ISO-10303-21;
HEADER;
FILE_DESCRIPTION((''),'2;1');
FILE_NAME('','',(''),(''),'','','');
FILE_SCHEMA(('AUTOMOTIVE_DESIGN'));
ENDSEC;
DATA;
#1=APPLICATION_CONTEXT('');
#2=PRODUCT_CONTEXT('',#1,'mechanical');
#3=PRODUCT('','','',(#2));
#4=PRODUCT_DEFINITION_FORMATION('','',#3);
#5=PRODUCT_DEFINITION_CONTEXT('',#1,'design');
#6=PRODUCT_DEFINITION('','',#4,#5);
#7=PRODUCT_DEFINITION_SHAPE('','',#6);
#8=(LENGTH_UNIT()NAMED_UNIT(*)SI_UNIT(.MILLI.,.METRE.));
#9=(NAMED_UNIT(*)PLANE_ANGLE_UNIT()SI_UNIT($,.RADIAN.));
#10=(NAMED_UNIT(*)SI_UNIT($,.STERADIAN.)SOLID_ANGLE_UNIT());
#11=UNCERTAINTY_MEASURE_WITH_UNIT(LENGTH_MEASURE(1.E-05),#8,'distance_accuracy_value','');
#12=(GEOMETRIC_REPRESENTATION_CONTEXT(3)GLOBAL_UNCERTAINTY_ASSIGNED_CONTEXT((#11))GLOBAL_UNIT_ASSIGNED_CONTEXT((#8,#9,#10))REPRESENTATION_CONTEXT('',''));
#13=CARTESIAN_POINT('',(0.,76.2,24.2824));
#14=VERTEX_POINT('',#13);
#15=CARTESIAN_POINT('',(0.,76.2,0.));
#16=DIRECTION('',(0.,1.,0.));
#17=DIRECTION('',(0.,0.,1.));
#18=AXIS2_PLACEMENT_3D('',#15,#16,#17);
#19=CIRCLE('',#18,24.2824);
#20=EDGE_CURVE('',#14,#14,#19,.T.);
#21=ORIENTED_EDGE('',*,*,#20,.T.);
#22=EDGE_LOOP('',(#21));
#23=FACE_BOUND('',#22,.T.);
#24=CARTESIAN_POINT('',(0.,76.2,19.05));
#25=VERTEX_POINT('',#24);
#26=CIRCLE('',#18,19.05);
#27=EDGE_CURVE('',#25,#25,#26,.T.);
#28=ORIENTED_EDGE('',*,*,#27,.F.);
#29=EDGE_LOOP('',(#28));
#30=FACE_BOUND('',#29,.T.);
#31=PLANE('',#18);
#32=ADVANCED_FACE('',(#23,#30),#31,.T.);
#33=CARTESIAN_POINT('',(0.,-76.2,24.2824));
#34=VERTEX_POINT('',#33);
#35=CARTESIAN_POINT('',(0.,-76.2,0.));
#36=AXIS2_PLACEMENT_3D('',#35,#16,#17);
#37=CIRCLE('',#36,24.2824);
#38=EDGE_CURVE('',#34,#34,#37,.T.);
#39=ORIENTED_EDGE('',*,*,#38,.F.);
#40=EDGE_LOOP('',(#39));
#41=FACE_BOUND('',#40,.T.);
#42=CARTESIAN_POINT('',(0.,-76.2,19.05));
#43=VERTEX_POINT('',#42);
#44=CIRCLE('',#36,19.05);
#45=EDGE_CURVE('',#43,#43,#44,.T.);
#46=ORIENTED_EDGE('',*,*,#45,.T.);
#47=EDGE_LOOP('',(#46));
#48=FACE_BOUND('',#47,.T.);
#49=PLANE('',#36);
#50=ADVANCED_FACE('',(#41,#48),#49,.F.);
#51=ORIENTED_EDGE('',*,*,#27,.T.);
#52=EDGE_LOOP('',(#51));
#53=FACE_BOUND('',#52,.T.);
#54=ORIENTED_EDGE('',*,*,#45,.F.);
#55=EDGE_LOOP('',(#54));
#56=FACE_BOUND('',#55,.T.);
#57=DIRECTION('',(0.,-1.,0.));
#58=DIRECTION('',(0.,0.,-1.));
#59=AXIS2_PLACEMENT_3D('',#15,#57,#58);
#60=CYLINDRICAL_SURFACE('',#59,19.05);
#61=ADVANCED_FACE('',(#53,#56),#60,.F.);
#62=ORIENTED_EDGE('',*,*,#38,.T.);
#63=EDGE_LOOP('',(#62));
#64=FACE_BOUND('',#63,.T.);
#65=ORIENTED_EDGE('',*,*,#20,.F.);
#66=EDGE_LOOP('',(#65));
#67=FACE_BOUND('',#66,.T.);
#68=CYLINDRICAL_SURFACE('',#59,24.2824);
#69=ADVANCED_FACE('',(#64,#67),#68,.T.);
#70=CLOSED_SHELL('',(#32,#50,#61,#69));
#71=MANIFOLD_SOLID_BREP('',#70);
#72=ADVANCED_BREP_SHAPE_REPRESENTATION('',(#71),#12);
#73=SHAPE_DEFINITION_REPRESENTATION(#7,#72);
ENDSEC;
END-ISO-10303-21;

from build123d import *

# Parameters (mm, degrees)
SKETCH1_R           = 24.2824
SKETCH1_R_2         = 19.05
BOSS_EXTRUDE1_DEPTH = 76.2


with BuildPart() as part:
    # Sketch1 → Boss-Extrude1 (new body, symmetric)
    with BuildSketch(Plane(origin=(0, 0, 0), x_dir=(1, 0, 0), z_dir=(0, 1, 0))):
        Circle(SKETCH1_R)
        Circle(SKETCH1_R_2, mode=Mode.SUBTRACT)
    extrude(amount=BOSS_EXTRUDE1_DEPTH, both=True)


solid = part.part
